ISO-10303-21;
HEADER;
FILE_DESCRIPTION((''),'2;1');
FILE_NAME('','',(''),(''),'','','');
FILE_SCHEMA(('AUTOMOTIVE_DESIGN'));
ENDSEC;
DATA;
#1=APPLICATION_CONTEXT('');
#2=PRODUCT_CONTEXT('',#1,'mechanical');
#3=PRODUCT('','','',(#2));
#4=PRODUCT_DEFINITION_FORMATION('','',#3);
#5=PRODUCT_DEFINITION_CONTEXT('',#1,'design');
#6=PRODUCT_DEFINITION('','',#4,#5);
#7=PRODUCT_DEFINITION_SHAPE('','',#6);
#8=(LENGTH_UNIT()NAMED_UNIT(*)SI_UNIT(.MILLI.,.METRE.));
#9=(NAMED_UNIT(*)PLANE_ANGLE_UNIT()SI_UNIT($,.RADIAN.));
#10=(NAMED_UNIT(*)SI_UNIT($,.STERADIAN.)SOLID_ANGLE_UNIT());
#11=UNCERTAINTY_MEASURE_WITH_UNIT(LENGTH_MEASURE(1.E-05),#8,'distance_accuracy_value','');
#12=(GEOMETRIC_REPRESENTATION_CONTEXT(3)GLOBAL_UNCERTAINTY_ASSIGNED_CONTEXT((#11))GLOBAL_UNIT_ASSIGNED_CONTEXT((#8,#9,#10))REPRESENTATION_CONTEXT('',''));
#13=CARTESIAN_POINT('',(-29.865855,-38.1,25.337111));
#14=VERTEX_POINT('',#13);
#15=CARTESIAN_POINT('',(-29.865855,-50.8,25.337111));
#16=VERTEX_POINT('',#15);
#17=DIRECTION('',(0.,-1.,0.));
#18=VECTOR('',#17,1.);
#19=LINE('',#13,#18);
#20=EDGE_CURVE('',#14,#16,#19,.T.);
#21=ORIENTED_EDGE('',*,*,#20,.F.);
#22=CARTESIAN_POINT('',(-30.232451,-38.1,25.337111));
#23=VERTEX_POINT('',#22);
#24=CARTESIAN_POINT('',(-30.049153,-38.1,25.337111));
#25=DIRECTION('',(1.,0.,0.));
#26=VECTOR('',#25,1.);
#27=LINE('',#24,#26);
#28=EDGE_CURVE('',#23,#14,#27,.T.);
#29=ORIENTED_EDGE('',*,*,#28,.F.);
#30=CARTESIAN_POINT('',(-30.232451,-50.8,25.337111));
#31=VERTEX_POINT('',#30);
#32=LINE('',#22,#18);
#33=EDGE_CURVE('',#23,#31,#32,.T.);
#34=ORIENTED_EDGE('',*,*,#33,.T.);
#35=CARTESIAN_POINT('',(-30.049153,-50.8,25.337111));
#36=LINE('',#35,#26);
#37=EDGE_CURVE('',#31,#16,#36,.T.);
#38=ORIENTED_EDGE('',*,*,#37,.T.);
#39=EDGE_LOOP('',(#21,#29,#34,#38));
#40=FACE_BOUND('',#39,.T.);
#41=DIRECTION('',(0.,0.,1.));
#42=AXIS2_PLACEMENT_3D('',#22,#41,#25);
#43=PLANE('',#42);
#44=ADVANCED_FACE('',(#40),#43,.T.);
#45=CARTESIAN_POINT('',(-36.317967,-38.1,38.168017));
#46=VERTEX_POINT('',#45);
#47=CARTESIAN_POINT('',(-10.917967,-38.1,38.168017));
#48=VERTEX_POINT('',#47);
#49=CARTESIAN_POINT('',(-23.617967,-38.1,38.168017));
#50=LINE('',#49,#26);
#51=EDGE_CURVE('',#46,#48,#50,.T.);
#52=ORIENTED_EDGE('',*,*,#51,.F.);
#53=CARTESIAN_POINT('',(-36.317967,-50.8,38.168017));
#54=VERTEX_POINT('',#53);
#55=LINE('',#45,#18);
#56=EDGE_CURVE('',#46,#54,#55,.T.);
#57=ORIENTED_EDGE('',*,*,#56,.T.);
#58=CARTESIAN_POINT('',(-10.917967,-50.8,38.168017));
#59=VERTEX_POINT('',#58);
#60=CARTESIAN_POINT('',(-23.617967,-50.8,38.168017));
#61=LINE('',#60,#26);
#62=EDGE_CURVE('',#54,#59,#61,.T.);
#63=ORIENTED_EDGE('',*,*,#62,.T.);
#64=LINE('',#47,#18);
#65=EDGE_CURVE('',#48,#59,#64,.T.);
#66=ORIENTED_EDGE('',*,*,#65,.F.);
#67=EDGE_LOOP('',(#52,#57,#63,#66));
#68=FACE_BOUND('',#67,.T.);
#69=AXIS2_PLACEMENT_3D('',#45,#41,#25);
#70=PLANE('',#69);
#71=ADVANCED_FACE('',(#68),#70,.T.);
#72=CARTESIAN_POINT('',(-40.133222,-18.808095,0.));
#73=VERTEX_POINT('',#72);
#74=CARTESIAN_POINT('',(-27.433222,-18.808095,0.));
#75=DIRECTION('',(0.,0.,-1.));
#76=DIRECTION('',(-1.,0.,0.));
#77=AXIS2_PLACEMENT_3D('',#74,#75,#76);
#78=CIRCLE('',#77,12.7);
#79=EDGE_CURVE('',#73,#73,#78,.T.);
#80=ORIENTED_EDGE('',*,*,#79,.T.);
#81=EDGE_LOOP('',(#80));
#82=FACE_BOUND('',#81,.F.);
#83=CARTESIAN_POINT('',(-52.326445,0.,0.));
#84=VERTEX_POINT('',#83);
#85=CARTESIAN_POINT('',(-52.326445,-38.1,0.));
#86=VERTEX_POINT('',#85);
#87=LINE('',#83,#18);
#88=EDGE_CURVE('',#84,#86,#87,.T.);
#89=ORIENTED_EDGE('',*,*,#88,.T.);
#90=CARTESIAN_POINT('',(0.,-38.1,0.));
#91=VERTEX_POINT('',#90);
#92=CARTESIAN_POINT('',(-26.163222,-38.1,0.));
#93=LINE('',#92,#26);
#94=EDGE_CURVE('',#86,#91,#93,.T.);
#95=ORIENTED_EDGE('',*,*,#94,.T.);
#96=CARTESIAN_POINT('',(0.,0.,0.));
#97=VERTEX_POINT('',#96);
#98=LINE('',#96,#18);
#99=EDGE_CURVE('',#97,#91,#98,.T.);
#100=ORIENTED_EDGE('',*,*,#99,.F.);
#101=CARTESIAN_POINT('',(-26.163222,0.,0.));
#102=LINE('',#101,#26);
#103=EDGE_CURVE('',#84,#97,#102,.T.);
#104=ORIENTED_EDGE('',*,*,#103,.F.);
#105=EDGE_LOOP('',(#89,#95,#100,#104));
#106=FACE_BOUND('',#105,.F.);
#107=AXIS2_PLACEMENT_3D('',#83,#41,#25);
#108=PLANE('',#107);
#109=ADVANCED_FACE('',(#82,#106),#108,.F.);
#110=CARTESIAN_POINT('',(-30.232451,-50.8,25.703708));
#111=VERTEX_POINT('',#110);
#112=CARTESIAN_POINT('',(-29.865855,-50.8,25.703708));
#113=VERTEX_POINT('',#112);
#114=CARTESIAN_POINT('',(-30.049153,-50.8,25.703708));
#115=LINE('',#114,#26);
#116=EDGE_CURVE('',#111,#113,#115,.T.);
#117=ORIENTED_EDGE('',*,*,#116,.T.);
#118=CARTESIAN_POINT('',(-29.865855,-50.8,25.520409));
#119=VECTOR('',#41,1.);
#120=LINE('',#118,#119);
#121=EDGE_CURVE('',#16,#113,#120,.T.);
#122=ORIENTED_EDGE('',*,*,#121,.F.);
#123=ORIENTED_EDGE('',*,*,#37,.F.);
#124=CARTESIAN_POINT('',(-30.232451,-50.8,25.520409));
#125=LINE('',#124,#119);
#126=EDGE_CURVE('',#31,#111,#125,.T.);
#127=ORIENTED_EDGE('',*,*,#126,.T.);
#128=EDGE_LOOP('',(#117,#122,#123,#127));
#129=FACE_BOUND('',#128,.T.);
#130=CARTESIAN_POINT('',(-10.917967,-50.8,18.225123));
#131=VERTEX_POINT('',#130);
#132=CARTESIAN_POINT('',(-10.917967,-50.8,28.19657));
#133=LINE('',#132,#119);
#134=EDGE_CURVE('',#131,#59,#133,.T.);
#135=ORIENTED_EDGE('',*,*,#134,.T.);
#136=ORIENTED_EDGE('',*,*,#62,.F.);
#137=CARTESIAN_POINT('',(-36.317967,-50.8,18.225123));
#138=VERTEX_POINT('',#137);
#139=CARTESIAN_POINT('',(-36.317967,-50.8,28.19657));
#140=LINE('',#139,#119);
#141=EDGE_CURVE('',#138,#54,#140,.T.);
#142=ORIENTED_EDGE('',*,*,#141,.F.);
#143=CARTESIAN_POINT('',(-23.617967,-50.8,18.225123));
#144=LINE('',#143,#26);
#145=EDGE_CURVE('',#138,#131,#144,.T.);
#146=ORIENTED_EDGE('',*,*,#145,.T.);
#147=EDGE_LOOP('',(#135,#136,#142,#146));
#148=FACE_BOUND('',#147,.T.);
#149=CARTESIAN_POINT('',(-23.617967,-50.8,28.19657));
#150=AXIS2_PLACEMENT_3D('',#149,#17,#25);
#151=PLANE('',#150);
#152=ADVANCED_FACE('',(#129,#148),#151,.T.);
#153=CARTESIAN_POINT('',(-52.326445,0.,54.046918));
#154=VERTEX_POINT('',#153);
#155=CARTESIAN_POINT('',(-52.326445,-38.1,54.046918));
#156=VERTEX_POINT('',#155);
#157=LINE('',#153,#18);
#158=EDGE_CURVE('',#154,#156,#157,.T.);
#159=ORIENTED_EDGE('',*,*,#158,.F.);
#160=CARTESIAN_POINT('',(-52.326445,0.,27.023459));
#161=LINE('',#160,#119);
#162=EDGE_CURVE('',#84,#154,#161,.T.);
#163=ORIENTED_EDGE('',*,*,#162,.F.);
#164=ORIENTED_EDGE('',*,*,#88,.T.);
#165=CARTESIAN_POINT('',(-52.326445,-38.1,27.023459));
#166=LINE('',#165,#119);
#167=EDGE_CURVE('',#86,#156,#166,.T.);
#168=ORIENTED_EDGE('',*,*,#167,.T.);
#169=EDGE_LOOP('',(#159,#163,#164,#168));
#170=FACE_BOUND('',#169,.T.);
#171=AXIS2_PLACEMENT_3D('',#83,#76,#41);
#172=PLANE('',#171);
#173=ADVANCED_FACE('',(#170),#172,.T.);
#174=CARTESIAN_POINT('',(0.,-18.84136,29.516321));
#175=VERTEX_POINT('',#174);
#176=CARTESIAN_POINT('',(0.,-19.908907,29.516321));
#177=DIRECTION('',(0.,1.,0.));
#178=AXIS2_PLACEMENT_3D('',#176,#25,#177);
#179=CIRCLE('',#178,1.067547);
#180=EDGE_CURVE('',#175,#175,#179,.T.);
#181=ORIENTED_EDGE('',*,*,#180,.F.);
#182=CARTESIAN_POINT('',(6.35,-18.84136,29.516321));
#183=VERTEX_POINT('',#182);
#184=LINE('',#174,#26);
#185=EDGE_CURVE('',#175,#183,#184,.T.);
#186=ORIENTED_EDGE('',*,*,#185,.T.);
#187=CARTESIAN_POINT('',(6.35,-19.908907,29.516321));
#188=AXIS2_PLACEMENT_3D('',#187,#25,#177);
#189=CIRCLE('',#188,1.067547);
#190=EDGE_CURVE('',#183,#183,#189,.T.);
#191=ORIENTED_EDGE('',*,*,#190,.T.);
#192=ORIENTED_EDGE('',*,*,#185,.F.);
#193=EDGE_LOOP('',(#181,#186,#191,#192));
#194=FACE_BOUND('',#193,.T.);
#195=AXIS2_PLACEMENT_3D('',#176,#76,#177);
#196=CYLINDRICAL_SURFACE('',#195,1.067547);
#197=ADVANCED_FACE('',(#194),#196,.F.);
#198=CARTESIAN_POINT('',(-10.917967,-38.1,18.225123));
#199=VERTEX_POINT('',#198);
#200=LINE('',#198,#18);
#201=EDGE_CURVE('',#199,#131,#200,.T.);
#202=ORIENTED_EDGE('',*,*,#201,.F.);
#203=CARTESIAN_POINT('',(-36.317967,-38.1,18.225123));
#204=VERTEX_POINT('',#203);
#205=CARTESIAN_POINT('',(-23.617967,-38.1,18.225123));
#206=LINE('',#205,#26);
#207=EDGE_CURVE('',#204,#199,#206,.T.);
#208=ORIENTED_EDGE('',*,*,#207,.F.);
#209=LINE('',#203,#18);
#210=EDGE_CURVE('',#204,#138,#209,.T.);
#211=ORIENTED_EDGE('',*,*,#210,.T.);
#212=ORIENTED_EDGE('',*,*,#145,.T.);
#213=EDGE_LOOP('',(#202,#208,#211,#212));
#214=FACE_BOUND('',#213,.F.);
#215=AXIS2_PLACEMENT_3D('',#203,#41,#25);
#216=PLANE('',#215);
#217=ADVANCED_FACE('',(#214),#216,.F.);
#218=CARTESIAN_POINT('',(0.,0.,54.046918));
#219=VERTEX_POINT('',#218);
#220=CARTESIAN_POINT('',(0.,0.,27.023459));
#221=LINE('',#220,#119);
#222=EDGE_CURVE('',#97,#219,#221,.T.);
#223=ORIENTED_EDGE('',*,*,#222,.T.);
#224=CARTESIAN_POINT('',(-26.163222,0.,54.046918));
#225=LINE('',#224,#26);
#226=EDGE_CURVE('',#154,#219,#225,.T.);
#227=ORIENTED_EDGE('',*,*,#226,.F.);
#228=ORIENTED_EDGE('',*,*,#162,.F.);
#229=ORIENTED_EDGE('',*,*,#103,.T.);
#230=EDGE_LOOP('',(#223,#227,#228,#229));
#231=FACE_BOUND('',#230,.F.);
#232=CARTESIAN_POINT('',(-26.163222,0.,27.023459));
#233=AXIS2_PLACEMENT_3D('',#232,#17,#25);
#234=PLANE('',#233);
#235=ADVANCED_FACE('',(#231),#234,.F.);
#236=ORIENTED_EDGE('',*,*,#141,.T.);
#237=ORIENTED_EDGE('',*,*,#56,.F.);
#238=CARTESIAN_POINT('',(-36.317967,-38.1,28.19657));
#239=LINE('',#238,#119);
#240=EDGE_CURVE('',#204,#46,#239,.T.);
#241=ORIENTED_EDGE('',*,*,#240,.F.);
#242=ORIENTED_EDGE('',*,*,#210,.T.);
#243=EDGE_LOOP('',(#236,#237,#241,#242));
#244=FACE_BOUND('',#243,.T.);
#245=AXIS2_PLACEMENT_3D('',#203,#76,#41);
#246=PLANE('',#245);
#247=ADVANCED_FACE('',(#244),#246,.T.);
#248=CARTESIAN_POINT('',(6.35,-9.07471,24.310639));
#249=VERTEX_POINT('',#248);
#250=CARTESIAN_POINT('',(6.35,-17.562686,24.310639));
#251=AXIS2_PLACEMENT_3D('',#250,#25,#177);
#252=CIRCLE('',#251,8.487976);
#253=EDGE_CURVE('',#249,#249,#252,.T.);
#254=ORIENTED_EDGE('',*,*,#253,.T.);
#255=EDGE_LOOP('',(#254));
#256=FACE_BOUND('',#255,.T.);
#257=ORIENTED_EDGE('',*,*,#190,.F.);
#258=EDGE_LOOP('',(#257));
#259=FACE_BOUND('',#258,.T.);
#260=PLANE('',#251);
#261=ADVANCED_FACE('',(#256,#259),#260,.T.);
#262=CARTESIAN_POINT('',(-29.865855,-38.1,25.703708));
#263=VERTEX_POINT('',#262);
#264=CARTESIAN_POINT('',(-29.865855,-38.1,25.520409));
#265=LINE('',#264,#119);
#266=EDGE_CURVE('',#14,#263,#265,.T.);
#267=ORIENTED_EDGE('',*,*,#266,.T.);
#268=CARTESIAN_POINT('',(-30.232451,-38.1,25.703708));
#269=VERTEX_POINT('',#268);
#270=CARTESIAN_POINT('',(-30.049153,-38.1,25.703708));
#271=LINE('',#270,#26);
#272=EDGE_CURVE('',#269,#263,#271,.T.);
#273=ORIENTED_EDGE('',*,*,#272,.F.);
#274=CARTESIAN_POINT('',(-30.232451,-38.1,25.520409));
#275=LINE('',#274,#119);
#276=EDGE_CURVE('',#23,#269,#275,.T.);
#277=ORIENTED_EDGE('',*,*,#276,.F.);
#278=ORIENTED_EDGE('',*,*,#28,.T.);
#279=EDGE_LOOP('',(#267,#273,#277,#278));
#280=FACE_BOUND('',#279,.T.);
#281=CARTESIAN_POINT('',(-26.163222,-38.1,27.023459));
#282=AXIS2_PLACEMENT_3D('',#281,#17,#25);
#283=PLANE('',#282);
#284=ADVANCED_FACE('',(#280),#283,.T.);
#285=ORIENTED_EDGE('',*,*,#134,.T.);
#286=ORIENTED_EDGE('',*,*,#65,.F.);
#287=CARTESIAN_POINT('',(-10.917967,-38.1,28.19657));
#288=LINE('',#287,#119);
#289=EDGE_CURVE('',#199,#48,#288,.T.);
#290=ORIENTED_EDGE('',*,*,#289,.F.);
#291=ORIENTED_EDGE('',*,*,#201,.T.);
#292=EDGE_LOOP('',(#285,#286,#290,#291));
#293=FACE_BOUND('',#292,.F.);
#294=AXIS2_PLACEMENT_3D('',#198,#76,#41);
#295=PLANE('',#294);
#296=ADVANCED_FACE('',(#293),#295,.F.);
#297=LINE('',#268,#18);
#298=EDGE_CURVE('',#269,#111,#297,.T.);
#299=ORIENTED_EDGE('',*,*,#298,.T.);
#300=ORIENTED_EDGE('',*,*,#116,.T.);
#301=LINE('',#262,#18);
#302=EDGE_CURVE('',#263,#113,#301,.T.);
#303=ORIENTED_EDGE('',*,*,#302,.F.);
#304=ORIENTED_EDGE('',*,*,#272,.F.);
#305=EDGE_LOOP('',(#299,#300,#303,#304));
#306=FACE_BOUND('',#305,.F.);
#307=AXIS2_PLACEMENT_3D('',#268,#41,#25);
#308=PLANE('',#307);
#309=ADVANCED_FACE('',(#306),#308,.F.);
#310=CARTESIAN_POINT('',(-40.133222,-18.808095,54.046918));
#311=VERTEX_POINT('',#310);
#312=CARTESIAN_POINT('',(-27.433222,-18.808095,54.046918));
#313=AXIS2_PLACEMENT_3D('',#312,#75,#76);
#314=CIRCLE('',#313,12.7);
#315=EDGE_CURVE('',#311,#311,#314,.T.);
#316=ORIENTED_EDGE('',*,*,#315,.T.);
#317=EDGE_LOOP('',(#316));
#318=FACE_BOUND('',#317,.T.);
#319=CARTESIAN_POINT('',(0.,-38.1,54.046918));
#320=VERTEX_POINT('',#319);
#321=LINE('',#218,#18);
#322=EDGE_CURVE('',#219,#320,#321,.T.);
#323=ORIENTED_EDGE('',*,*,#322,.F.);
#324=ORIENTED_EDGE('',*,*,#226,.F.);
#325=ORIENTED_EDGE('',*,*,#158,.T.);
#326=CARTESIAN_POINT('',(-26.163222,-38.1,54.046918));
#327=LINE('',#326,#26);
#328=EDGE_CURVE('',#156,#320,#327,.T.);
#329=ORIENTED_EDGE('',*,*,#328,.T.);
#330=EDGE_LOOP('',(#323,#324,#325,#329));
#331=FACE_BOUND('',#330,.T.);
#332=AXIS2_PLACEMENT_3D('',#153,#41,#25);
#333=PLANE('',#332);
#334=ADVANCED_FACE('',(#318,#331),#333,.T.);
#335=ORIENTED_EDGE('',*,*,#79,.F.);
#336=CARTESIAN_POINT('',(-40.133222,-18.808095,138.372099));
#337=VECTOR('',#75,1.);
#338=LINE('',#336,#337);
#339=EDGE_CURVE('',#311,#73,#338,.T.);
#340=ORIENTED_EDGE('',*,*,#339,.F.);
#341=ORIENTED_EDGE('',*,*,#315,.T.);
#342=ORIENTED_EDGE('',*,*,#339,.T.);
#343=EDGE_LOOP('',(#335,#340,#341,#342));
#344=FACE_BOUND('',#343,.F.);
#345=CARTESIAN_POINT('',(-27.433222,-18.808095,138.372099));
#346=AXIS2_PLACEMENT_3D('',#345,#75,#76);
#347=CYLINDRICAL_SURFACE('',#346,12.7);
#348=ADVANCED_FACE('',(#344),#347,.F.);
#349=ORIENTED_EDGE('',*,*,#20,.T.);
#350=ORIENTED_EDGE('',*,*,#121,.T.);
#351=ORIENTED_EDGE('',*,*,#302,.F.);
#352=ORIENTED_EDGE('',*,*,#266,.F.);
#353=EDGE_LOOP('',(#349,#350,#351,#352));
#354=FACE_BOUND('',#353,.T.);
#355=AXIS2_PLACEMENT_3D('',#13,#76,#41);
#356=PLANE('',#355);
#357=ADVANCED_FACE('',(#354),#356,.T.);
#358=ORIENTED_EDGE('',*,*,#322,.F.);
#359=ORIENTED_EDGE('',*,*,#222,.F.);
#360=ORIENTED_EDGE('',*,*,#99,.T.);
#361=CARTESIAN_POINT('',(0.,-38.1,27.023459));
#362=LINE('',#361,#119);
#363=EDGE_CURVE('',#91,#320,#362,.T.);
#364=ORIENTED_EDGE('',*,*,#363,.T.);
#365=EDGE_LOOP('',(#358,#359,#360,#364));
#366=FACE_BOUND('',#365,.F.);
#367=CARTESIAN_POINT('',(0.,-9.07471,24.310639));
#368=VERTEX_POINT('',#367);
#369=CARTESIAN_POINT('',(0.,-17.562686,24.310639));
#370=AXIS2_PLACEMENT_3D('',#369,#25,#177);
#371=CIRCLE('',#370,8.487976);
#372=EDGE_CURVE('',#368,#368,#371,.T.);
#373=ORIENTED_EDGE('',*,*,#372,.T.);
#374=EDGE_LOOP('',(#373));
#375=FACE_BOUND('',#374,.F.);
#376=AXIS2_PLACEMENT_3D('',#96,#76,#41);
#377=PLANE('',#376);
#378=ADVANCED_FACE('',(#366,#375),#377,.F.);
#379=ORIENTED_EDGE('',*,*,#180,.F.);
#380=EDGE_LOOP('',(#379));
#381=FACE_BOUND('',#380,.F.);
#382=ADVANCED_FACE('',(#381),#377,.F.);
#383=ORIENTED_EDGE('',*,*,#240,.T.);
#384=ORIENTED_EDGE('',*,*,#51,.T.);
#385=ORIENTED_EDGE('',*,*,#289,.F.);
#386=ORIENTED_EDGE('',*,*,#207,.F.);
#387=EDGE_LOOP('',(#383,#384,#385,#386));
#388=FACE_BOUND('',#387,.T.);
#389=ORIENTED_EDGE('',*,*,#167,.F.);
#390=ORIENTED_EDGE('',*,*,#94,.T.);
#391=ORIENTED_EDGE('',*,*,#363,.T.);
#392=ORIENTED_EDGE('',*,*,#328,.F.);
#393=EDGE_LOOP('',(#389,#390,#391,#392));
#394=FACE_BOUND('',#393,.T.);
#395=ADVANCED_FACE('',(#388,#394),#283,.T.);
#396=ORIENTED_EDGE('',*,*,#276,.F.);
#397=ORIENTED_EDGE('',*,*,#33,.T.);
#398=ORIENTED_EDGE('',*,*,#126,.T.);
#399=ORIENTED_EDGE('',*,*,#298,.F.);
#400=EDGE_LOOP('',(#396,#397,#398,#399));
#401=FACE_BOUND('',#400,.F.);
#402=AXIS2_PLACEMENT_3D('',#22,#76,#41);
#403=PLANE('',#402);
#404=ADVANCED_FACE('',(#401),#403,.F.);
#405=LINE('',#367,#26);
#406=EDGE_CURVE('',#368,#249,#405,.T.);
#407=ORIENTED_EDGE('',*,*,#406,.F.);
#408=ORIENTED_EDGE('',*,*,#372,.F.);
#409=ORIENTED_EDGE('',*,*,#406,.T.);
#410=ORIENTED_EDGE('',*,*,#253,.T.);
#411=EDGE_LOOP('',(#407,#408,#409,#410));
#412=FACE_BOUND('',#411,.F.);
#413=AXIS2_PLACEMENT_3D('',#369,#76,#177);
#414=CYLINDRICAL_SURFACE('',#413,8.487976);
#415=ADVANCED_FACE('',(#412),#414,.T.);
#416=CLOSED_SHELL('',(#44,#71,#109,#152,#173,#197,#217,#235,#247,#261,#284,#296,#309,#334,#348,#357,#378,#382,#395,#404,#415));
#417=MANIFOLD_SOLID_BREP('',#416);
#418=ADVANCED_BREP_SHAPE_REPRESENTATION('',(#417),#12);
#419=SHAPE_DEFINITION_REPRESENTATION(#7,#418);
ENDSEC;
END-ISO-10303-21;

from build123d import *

# Parameters (mm, degrees)
F0_W     = 52.326445
F0_H     = 54.046918
F1_DEPTH = 38.1
F3_D     = 25.4
F4_W     = 25.4
F4_H     = 19.942893
F4_W_2   = 0.366597
F4_H_2   = 0.366597
F5_DEPTH = 12.7
F6_R     = 8.487976
F6_R_2   = 1.067547
F7_DEPTH = 6.35


with BuildPart() as f1:
    # F0 (on Front) → F1 (new body)
    with BuildSketch(Plane.XZ):
        with Locations((-26.163222, 27.023459)):
            Rectangle(F0_W, F0_H)
    extrude(amount=F1_DEPTH)

    # F3 (through all)
    with Locations(Plane.XY.offset(54.046918)):
        with Locations((-27.433222, -18.808095)):
            Hole(F3_D / 2)

    # F4 (on face) → F5 (join)
    with BuildSketch(Plane.XZ.offset(38.1)):
        with Locations((-23.617967, 28.19657)):
            Rectangle(F4_W, F4_H)
        with Locations((-30.049153, 25.520409)):
            Rectangle(F4_W_2, F4_H_2, mode=Mode.SUBTRACT)
    extrude(amount=F5_DEPTH)

    # F6 (on face) → F7 (join)
    with BuildSketch(Plane.YZ):
        with Locations((-17.562686, 24.310639)):
            Circle(F6_R)
        with Locations((-19.908907, 29.516321)):
            Circle(F6_R_2, mode=Mode.SUBTRACT)
    extrude(amount=F7_DEPTH)


solid = f1.part
